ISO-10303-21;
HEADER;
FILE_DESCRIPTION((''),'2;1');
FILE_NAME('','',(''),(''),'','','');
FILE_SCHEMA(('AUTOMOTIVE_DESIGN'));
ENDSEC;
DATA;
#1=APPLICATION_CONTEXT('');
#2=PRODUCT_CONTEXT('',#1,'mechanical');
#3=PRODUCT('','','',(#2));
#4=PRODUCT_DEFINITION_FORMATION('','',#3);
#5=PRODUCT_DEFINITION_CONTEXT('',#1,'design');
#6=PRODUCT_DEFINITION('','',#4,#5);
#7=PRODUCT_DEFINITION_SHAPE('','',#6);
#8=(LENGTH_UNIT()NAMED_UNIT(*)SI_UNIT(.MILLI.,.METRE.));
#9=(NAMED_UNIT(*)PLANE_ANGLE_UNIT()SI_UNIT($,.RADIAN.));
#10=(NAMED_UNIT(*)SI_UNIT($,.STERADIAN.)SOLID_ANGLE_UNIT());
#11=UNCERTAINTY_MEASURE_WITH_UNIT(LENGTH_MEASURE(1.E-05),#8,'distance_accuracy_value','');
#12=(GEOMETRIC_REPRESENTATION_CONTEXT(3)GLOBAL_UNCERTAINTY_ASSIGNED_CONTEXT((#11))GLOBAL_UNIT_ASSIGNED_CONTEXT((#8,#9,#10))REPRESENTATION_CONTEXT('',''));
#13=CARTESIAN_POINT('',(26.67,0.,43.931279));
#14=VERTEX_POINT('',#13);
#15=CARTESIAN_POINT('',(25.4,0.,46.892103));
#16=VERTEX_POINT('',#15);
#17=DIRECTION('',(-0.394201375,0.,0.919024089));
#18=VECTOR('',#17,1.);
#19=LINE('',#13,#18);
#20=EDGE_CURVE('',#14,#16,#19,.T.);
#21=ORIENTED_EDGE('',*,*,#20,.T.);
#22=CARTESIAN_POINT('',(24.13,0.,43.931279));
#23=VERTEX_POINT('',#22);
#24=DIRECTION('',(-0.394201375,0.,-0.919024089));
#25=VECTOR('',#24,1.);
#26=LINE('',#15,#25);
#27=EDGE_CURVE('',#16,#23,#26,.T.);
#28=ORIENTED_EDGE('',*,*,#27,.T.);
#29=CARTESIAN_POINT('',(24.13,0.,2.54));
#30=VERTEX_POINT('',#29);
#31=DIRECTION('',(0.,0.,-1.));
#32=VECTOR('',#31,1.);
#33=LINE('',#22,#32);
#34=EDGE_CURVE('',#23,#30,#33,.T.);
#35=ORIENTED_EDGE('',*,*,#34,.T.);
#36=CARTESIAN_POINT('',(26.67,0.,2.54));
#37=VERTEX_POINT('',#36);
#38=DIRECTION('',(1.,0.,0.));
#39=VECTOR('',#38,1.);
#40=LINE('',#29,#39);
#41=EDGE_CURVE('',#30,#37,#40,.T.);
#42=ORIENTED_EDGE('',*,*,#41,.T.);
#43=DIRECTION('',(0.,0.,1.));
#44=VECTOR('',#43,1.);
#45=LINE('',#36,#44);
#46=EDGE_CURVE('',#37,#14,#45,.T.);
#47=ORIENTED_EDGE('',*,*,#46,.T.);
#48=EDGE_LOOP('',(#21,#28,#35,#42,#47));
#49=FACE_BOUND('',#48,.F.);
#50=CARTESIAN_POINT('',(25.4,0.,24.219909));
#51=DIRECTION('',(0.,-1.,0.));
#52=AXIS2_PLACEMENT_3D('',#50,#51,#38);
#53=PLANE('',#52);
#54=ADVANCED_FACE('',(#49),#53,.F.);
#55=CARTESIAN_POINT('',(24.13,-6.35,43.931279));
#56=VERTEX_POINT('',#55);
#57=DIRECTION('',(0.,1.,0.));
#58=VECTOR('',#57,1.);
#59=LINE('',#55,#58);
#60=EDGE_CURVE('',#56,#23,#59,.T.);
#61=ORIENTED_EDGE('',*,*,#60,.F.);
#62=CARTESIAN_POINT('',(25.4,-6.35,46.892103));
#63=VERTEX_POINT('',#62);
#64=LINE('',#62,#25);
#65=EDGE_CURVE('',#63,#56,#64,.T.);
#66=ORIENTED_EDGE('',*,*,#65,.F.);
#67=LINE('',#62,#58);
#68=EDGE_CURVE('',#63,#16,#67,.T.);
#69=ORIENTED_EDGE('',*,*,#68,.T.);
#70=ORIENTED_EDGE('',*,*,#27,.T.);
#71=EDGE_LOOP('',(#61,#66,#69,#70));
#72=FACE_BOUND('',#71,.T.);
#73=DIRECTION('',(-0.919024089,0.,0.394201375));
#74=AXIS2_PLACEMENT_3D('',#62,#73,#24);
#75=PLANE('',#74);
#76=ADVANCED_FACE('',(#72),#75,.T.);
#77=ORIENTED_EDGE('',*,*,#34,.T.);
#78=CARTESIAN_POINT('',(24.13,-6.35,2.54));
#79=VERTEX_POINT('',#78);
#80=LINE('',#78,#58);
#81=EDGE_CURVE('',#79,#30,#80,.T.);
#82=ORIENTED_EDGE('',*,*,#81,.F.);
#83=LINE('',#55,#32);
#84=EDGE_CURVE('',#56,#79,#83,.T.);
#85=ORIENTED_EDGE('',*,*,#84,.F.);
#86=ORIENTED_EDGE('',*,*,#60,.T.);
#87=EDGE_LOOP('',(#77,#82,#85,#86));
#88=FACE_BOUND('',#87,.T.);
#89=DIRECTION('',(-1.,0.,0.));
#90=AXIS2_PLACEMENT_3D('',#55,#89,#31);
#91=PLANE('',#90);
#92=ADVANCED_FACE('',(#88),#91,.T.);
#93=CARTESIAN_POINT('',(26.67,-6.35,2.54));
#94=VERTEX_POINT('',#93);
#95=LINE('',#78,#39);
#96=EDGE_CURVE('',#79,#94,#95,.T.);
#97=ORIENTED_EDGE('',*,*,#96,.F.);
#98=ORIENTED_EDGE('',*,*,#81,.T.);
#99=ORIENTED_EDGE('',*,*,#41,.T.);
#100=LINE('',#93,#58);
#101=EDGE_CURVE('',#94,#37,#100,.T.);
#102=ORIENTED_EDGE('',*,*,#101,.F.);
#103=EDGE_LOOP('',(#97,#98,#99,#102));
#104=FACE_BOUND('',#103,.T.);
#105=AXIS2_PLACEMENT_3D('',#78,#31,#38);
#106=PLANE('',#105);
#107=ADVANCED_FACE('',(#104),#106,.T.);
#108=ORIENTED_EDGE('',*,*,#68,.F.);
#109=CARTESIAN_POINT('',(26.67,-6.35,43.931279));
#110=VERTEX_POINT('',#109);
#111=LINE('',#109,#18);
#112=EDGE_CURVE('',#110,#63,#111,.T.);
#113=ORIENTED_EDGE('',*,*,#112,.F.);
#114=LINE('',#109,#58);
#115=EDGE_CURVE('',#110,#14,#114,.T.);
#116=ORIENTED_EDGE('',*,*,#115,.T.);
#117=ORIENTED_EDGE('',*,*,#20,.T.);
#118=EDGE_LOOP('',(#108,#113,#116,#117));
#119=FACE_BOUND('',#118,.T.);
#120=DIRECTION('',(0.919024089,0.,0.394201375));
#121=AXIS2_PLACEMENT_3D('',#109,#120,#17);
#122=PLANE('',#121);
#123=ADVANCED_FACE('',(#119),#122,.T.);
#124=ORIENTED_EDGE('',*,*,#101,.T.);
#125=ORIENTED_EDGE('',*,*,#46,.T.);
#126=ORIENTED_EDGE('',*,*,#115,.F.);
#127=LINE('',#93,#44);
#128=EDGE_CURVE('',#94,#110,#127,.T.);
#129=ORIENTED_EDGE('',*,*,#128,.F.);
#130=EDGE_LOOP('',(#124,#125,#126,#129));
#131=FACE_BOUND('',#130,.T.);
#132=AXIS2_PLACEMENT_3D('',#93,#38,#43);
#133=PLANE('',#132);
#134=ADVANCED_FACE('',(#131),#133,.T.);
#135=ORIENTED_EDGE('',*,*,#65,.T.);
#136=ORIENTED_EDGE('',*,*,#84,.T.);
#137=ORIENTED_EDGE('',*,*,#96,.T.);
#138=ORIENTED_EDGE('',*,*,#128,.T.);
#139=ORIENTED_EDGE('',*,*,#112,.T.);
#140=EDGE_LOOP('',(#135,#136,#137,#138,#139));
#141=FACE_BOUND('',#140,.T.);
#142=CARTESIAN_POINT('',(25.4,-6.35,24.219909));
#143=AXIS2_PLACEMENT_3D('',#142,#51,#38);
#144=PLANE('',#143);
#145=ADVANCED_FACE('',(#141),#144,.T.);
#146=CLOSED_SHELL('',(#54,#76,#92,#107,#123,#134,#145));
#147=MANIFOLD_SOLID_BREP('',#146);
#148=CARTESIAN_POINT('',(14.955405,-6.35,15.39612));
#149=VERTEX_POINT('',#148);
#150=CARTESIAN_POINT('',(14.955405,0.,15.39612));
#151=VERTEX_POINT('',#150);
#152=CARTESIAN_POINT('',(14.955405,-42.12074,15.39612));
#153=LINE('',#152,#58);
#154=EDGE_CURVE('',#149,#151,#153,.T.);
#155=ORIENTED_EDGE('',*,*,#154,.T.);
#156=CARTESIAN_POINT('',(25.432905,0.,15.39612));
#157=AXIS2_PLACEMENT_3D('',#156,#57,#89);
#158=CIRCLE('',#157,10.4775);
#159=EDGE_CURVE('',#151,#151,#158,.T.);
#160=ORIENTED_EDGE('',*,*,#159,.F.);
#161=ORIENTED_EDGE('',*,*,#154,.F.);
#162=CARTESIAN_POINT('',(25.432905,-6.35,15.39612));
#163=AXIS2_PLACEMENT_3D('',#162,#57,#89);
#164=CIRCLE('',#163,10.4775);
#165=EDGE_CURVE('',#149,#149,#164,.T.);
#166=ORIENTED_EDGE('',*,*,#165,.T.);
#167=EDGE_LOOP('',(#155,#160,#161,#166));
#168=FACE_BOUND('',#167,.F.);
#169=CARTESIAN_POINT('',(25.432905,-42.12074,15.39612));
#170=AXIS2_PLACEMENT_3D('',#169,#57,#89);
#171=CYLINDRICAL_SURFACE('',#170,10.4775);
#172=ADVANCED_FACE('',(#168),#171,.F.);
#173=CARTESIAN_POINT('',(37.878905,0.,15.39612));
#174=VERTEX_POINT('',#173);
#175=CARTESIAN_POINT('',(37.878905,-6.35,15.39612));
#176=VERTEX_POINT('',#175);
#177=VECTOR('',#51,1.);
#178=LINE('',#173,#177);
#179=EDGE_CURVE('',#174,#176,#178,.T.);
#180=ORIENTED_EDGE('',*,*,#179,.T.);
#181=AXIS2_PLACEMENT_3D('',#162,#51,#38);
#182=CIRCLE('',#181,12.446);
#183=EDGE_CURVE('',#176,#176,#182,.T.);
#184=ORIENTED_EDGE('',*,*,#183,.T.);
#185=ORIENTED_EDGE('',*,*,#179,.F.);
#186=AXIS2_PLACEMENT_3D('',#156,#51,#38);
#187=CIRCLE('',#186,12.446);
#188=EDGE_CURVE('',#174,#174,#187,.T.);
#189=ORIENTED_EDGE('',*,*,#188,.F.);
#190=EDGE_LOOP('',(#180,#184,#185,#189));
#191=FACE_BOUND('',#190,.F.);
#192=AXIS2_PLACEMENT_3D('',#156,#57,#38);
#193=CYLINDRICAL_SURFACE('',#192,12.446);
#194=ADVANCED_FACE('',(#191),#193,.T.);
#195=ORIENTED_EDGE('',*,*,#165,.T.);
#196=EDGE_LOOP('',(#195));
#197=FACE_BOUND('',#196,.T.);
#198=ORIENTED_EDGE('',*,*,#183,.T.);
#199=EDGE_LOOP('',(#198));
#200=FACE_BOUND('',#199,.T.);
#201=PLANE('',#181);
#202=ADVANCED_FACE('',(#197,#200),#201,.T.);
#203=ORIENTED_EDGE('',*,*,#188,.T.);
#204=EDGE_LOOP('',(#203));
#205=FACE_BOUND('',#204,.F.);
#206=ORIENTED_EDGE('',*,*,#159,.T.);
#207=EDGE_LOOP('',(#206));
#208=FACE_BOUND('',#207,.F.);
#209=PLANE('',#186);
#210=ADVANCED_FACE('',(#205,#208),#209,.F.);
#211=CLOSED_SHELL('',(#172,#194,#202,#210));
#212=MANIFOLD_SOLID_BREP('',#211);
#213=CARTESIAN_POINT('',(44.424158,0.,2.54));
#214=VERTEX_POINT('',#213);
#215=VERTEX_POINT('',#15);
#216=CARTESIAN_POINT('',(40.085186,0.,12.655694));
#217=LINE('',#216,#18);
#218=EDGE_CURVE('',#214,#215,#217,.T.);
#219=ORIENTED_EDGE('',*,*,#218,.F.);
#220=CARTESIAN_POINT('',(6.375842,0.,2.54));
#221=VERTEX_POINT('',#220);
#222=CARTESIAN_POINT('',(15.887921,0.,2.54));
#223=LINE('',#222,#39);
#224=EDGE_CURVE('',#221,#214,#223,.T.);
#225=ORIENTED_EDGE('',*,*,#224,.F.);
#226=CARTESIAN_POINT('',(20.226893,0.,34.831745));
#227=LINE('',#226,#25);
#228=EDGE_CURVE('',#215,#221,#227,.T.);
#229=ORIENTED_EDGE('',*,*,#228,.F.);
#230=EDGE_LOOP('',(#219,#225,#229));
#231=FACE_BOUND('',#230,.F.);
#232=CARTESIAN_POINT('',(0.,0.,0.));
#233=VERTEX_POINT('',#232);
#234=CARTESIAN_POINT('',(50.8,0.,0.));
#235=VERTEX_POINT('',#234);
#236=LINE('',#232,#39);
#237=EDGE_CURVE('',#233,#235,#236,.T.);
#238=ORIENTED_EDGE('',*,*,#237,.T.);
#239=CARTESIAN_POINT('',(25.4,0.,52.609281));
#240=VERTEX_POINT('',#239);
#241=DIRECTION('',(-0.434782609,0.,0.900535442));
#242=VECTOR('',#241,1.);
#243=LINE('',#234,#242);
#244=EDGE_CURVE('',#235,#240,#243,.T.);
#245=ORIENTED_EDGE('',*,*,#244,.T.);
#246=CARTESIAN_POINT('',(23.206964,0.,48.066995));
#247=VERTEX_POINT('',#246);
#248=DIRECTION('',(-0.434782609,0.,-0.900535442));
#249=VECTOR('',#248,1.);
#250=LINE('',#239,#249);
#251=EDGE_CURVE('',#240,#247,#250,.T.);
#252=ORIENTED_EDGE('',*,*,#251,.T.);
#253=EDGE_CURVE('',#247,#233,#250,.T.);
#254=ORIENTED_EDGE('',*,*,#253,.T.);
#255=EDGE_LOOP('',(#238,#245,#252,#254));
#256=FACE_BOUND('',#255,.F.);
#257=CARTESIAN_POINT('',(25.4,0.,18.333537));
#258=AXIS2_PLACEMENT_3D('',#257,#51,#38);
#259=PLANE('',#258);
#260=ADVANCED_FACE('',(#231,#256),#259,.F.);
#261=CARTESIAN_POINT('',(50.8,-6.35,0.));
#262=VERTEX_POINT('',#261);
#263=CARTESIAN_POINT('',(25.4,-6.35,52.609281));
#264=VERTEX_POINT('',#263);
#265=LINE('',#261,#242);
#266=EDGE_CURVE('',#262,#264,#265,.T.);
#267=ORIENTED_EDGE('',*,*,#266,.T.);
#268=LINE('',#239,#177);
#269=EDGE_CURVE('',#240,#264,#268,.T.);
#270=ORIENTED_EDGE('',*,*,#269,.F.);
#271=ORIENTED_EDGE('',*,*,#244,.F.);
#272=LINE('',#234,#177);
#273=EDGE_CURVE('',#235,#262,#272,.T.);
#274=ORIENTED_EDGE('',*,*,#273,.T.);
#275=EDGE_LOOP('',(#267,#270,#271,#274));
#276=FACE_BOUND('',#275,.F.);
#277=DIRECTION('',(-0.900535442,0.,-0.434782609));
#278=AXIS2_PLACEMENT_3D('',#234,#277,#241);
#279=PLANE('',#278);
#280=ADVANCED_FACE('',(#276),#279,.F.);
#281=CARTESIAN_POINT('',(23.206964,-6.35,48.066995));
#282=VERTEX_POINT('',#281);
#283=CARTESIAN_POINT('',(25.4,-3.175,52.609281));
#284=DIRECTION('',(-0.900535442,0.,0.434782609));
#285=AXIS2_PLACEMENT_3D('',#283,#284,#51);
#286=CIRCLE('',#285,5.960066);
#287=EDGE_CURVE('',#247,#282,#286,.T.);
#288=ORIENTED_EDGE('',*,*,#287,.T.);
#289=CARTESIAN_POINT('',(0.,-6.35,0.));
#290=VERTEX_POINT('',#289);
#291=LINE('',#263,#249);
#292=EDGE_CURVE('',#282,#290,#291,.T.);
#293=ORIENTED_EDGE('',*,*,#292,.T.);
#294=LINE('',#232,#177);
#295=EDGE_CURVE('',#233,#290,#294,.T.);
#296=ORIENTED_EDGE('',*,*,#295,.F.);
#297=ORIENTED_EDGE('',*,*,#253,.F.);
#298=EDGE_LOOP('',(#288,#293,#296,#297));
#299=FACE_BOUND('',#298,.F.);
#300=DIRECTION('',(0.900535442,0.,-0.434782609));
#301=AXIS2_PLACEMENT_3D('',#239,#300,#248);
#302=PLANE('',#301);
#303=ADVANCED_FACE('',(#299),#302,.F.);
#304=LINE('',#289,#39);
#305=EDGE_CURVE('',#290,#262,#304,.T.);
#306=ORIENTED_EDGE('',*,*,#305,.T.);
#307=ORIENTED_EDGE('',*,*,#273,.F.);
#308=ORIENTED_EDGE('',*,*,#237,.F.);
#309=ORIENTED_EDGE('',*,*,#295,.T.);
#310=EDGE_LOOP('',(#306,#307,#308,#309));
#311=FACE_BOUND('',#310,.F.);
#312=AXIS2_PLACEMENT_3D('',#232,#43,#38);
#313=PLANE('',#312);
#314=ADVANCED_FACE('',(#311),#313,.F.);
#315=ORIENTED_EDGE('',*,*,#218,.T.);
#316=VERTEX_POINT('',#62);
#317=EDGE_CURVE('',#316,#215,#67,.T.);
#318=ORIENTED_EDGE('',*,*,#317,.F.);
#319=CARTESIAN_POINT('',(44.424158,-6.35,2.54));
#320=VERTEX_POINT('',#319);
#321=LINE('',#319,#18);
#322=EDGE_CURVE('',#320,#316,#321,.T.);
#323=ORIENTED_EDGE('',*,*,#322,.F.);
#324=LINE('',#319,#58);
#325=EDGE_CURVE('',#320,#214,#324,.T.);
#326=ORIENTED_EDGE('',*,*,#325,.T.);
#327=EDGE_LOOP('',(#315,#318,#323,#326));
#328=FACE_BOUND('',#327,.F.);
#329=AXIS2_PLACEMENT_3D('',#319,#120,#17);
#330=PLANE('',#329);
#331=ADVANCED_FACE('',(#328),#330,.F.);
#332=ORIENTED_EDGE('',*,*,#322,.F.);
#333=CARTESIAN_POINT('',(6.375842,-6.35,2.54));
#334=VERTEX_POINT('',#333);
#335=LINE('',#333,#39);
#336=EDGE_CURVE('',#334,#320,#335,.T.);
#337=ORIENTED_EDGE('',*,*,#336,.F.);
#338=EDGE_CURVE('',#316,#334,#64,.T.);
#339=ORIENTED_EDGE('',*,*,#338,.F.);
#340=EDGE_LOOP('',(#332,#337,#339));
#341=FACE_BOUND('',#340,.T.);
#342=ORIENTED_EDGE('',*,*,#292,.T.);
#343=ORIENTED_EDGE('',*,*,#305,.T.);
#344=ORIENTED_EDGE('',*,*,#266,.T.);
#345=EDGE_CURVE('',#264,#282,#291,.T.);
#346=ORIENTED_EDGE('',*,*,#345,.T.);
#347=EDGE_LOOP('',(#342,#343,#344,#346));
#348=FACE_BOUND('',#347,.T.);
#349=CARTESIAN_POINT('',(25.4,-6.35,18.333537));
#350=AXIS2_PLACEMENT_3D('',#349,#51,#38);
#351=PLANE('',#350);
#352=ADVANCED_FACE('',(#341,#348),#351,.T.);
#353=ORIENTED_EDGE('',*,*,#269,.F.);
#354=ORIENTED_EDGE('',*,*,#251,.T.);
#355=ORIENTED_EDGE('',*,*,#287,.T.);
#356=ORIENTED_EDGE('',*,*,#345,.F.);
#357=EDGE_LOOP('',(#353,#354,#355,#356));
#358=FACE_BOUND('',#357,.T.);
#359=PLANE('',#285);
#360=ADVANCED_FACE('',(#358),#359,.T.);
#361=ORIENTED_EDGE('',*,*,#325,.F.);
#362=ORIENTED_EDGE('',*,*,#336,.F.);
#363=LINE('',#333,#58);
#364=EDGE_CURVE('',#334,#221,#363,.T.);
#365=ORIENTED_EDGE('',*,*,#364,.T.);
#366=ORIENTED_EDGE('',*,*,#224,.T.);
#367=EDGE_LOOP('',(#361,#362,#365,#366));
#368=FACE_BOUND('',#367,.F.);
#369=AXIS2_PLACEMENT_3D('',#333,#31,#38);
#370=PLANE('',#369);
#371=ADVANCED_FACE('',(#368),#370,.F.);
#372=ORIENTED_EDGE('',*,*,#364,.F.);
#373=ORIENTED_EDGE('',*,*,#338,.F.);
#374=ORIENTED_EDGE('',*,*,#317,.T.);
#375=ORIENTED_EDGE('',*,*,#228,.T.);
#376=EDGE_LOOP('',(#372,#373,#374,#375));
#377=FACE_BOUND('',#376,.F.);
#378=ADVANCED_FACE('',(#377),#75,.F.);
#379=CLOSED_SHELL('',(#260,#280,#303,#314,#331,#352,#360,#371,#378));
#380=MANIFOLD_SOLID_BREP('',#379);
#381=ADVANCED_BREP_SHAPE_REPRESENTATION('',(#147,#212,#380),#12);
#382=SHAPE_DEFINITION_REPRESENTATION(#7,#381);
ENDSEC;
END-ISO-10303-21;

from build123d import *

# Parameters (mm, degrees)
F1_DEPTH  = 6.35
F3_DEPTH  = 25.4
F5_DEPTH  = 6.35
F6_R      = 12.446
F7_DEPTH  = 6.35
F9_D      = 20.955
F10_R     = 5.960066411
F11_DEPTH = 6.35
F12_DEPTH = 6.35


with BuildPart() as f1:
    # F0 (on Front) → F1 (new body)
    with BuildSketch(Plane.XZ):
        Polygon((25.4, 52.6092805501), (0, 0), (50.8, 0), align=None)
    extrude(amount=F1_DEPTH)

    # F2 (on face) → F3 (cut)
    with BuildSketch(Plane.XZ.offset(6.35)):
        Polygon((25.4, 46.8921025291), (6.3758416416, 2.54), (44.4241583584, 2.54), align=None)
    extrude(amount=-F3_DEPTH, mode=Mode.SUBTRACT)

    # F10 (on face) → F11 (join)
    with BuildSketch(Plane(origin=(0, 0, 0), x_dir=(0, -1, 0), z_dir=(-0.9005354425, 0, 0.4347826087))):
        with Locations((3.175, 58.42)):
            Circle(F10_R)
    extrude(amount=F11_DEPTH)

    # F12 (cut): a face of the model
    f12_faces = [f1.faces().sort_by_distance(p)[0] for p in [
        (19.6815999402, -3.175, 55.3701501153),
    ]]
    extrude(f12_faces, amount=-F12_DEPTH, mode=Mode.SUBTRACT)


with BuildPart() as f5:
    # F4 (on face) → F5 (new body)
    with BuildSketch(Plane.XZ.offset(6.35)):
        Polygon((25.4, 46.8921025291), (24.13, 43.9312792879), (24.13, 2.54), (26.67, 2.54), (26.67, 43.9312792879), align=None)
    extrude(amount=-F5_DEPTH)


with BuildPart() as f7:
    # F6 (on Front) → F7 (new body)
    with BuildSketch(Plane.XZ):
        with Locations((25.432904761, 15.3961197174)):
            Circle(F6_R)
    extrude(amount=F7_DEPTH)

    # F9 (through all)
    with Locations(Plane.XZ.offset(6.35)):
        with Locations((25.432904761, 15.3961197174)):
            Hole(F9_D / 2)


solid = Compound([f1.part, f5.part, f7.part])
